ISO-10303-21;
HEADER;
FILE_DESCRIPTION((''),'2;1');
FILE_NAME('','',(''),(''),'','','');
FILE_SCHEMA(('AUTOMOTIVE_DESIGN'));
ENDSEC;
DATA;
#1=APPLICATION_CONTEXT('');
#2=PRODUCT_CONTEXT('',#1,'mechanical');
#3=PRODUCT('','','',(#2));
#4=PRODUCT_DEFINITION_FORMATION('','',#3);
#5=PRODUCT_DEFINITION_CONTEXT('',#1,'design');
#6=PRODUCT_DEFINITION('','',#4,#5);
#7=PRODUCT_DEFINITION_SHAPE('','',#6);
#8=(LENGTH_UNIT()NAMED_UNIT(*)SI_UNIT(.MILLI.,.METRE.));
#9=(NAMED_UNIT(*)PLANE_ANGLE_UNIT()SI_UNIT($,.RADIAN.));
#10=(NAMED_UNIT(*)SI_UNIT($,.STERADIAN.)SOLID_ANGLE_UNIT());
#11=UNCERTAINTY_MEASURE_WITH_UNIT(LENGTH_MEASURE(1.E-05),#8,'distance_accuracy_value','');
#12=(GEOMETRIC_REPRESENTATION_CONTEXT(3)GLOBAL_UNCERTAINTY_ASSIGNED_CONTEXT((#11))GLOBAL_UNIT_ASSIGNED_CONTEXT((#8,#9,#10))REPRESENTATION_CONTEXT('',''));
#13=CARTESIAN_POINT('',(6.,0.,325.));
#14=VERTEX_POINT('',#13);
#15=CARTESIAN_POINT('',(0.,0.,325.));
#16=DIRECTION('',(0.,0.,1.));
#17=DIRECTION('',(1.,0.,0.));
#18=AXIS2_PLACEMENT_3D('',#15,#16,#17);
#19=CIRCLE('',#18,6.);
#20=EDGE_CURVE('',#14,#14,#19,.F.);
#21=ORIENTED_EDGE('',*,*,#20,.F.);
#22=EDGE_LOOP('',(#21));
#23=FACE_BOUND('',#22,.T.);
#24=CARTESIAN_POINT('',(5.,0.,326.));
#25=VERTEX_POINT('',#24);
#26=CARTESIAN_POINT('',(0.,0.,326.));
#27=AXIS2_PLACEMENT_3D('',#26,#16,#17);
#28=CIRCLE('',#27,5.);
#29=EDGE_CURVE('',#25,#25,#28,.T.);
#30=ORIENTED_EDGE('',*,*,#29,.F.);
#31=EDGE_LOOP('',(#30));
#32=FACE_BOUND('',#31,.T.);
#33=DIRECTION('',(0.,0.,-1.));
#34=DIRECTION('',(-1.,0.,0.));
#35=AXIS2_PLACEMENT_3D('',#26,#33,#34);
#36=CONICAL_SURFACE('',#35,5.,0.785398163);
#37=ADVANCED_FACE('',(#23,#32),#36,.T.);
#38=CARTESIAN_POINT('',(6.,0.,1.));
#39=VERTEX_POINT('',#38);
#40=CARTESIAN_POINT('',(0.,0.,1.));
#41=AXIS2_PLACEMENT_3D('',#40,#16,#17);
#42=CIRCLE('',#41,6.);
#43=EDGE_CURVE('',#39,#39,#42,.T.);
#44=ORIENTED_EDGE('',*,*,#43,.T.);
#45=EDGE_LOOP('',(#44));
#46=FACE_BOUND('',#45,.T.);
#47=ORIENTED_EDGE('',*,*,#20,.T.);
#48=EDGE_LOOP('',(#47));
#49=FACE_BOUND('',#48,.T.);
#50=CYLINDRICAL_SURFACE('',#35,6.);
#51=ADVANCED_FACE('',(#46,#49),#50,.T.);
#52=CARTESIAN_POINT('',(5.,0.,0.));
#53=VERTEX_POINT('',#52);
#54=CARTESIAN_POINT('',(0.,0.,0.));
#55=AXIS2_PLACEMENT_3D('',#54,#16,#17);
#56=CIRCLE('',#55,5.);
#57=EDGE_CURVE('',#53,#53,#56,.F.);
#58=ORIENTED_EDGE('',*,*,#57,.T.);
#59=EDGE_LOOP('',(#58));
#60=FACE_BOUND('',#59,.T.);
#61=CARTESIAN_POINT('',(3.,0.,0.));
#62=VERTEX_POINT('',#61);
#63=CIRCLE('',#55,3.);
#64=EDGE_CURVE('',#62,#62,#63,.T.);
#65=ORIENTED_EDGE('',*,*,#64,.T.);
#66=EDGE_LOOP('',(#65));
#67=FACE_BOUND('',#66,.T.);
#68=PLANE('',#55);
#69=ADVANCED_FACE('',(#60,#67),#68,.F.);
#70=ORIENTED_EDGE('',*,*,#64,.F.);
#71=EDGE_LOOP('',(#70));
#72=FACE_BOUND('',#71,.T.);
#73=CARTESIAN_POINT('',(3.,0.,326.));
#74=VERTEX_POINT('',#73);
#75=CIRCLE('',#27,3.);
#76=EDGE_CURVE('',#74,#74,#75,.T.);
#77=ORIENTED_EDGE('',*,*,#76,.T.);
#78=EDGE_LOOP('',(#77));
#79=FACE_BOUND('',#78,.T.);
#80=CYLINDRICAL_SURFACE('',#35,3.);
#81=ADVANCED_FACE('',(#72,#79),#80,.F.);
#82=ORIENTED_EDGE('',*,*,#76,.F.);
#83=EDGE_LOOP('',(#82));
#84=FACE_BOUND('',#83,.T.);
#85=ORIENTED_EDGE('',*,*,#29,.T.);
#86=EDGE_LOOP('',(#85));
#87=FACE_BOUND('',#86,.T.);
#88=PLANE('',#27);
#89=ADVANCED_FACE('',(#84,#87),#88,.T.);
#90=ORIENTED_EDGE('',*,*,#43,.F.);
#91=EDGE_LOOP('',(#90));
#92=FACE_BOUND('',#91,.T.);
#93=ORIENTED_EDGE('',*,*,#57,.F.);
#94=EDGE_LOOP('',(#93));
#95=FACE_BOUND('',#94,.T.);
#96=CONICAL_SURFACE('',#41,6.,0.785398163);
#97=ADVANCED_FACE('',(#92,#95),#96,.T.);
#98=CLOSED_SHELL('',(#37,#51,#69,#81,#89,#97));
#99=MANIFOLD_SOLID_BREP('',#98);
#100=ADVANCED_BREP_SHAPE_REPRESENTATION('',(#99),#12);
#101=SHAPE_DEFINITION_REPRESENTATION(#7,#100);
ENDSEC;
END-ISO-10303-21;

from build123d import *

# Parameters (mm, degrees)
SKETCH_1_R      = 6
SKETCH_1_R_2    = 3
EXTRUDE_1_DEPTH = 326
CHAMFER_1_SIZE  = 1


with BuildPart() as part:
    # 草图1 → 凸台-拉伸1 (new body)
    with BuildSketch(Plane.XY):
        Circle(SKETCH_1_R)
        Circle(SKETCH_1_R_2, mode=Mode.SUBTRACT)
    extrude(amount=EXTRUDE_1_DEPTH)

    # 倒角1
    chamfer_1_edges = [part.edges().sort_by_distance(p)[0] for p in [
        (-6, 0, 0),
        (-6, 0, 326),
    ]]
    chamfer(chamfer_1_edges, length=CHAMFER_1_SIZE)


solid = part.part
